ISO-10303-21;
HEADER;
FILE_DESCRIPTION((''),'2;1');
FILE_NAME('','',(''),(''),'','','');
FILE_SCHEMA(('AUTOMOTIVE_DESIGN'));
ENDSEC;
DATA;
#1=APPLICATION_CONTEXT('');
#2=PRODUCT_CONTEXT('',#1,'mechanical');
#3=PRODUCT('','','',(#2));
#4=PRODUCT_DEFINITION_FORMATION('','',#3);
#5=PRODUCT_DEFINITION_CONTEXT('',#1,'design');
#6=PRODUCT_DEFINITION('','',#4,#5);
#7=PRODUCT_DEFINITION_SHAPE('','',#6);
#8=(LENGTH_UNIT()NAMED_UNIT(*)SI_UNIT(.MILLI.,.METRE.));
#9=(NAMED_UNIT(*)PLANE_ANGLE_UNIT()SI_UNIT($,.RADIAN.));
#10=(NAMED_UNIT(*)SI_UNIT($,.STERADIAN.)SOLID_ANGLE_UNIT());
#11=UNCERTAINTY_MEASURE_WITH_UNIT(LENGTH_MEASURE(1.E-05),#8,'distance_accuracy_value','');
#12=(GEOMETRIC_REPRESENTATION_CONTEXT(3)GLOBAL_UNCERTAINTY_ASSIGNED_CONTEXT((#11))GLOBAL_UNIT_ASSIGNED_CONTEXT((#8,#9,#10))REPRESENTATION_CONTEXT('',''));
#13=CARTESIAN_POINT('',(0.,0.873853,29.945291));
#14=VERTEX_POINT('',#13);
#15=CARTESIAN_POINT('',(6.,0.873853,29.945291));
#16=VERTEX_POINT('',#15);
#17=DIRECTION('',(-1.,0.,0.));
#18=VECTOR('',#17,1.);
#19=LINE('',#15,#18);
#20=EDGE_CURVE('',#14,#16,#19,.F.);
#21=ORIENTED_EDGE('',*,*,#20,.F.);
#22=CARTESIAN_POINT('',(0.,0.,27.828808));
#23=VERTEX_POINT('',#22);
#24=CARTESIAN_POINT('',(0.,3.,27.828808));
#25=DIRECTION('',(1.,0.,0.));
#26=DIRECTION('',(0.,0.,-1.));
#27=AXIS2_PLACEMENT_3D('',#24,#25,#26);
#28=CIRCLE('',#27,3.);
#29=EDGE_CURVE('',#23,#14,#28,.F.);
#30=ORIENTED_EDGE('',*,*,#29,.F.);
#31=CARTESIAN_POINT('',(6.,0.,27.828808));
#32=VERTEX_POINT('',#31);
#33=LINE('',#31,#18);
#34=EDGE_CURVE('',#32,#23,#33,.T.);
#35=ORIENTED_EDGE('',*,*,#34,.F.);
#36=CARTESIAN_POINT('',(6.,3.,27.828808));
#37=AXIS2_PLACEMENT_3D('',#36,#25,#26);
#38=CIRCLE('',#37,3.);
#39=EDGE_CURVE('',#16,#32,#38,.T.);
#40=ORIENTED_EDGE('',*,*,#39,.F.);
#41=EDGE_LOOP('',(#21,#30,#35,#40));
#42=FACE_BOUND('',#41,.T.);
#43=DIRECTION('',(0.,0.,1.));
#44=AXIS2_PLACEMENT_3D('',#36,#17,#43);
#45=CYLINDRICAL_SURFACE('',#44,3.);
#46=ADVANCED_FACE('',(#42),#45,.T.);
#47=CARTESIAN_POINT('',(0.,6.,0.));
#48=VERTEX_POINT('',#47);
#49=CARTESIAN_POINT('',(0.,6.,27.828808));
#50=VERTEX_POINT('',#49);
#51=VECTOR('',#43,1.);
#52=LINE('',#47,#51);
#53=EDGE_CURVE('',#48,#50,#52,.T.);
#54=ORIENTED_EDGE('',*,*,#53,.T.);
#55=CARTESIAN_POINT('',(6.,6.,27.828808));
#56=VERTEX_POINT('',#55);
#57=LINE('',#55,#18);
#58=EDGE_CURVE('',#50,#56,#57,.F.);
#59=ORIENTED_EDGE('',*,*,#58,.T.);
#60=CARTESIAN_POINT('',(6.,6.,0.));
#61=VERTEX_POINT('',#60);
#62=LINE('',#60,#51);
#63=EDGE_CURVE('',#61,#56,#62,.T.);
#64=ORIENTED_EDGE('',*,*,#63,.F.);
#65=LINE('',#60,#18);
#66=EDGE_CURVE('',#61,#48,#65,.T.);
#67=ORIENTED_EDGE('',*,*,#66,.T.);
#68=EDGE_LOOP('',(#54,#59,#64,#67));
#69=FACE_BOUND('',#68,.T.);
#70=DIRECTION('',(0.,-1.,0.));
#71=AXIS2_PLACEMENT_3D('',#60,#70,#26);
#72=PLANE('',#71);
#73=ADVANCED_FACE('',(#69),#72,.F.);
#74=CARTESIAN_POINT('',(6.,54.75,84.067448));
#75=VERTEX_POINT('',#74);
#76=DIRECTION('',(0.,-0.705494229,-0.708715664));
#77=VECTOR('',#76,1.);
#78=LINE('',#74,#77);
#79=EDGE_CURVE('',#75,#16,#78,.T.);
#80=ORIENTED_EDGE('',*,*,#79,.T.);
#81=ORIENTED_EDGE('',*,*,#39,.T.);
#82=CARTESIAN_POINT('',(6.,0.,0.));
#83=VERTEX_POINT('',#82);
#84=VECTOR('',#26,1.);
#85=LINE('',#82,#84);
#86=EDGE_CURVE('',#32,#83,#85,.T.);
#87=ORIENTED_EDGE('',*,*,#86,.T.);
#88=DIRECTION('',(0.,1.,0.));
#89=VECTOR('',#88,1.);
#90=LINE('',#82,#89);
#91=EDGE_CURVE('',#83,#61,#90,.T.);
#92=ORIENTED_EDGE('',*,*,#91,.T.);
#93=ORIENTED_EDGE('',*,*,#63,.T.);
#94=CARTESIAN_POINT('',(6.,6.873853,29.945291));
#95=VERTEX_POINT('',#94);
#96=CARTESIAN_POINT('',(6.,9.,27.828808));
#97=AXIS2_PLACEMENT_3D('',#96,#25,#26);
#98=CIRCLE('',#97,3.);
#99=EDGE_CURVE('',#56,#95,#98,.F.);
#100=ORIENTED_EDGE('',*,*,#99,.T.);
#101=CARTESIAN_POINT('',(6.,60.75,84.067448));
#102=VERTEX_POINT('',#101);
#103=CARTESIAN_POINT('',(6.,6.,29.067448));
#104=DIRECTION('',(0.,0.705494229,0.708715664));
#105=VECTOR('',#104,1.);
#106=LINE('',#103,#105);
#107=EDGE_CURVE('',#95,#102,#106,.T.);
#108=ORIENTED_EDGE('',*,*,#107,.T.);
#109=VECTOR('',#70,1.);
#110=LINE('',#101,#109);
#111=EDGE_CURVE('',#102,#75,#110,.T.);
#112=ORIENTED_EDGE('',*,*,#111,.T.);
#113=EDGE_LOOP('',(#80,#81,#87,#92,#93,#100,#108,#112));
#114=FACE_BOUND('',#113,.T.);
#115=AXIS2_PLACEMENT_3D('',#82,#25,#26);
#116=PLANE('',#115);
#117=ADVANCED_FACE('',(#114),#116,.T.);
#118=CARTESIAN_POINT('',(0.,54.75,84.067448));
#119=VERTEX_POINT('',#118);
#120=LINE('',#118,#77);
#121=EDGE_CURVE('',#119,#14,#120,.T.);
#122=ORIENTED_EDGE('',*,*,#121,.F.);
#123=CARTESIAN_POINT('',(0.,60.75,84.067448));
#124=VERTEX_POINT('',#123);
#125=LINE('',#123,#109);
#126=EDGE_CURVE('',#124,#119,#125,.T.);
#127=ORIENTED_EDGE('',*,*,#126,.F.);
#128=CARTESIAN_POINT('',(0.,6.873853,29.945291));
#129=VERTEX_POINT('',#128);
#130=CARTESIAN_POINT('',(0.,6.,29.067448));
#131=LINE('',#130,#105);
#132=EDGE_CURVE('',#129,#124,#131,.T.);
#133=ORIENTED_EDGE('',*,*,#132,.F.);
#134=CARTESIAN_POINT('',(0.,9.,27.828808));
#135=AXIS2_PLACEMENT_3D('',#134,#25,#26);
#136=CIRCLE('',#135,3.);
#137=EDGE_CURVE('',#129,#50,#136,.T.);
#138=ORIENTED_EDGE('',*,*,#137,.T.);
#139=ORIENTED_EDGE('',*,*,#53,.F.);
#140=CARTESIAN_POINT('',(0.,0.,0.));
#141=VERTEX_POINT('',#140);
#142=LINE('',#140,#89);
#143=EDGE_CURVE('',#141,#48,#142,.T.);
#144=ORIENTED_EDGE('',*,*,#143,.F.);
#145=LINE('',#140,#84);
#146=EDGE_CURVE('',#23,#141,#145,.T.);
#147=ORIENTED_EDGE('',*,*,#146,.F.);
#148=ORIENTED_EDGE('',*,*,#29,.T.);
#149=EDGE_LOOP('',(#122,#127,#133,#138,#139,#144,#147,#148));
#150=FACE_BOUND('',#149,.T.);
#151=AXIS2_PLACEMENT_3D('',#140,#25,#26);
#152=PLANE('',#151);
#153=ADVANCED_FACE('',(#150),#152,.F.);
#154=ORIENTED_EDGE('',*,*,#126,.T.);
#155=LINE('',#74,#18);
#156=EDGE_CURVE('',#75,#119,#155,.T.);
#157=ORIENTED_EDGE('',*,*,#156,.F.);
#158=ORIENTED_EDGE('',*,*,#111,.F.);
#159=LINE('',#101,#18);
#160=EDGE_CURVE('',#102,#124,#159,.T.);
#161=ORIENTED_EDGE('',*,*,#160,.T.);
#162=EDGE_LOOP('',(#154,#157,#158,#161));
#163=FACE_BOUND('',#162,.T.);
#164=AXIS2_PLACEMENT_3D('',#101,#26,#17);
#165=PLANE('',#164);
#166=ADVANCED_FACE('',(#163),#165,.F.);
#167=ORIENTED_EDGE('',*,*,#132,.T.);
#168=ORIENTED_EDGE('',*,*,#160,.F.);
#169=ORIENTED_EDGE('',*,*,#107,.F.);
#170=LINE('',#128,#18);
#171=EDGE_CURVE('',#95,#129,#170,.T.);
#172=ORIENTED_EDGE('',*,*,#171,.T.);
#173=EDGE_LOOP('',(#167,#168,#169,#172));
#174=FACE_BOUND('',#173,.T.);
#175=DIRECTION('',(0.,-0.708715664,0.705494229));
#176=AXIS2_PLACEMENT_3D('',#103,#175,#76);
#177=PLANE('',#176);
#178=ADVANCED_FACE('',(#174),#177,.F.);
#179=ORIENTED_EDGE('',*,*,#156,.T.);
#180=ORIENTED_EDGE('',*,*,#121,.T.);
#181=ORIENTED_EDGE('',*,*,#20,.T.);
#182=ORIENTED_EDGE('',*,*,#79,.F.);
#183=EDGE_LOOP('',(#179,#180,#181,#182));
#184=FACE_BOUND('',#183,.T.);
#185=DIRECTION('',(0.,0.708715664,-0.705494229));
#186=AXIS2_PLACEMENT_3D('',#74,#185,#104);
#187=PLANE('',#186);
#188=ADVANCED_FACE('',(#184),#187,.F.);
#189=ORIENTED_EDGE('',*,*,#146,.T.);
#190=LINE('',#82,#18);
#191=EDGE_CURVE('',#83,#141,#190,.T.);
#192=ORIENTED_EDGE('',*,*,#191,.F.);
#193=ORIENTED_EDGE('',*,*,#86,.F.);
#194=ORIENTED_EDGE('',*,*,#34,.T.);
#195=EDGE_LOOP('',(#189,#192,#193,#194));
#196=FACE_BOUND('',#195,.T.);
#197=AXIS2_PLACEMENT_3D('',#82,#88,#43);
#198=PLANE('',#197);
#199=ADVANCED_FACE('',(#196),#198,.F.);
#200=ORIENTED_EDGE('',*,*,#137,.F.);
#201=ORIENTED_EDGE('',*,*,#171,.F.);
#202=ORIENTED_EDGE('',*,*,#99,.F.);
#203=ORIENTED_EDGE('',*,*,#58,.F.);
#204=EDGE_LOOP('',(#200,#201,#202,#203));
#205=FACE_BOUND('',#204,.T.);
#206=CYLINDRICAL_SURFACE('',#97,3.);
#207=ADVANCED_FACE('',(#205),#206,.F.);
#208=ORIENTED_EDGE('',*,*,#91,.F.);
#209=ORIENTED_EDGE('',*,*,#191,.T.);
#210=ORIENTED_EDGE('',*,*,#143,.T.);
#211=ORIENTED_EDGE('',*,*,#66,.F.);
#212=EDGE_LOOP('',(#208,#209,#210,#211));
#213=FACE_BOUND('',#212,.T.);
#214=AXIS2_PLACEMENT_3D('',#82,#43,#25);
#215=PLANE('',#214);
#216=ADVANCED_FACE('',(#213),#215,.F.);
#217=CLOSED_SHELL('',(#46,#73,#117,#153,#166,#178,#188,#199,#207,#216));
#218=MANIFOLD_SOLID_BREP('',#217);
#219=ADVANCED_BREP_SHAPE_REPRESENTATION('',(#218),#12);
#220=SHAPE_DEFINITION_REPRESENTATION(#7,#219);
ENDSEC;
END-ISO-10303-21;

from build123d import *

# Parameters (mm, degrees)
BOSS_EXTRUDE1_DEPTH = 6
FILLET1_R           = 3


with BuildPart() as part:
    # Sketch1 → Boss-Extrude1 (new body)
    with BuildSketch(Plane(origin=(0, 0, 0), x_dir=(0, 0, -1), z_dir=(1, 0, 0))):
        Polygon((0, 0), (-29.067447869, 0), (-84.067447869, 54.75), (-84.067447869, 60.75), (-29.067447869, 6), (0, 6), align=None)
    extrude(amount=BOSS_EXTRUDE1_DEPTH)

    # Fillet1
    fillet1_edges = [part.edges().sort_by_distance(p)[0] for p in [
        (3, 0, 29.067447869),
        (3, 6, 29.067447869),
    ]]
    fillet(fillet1_edges, radius=FILLET1_R)


solid = part.part
